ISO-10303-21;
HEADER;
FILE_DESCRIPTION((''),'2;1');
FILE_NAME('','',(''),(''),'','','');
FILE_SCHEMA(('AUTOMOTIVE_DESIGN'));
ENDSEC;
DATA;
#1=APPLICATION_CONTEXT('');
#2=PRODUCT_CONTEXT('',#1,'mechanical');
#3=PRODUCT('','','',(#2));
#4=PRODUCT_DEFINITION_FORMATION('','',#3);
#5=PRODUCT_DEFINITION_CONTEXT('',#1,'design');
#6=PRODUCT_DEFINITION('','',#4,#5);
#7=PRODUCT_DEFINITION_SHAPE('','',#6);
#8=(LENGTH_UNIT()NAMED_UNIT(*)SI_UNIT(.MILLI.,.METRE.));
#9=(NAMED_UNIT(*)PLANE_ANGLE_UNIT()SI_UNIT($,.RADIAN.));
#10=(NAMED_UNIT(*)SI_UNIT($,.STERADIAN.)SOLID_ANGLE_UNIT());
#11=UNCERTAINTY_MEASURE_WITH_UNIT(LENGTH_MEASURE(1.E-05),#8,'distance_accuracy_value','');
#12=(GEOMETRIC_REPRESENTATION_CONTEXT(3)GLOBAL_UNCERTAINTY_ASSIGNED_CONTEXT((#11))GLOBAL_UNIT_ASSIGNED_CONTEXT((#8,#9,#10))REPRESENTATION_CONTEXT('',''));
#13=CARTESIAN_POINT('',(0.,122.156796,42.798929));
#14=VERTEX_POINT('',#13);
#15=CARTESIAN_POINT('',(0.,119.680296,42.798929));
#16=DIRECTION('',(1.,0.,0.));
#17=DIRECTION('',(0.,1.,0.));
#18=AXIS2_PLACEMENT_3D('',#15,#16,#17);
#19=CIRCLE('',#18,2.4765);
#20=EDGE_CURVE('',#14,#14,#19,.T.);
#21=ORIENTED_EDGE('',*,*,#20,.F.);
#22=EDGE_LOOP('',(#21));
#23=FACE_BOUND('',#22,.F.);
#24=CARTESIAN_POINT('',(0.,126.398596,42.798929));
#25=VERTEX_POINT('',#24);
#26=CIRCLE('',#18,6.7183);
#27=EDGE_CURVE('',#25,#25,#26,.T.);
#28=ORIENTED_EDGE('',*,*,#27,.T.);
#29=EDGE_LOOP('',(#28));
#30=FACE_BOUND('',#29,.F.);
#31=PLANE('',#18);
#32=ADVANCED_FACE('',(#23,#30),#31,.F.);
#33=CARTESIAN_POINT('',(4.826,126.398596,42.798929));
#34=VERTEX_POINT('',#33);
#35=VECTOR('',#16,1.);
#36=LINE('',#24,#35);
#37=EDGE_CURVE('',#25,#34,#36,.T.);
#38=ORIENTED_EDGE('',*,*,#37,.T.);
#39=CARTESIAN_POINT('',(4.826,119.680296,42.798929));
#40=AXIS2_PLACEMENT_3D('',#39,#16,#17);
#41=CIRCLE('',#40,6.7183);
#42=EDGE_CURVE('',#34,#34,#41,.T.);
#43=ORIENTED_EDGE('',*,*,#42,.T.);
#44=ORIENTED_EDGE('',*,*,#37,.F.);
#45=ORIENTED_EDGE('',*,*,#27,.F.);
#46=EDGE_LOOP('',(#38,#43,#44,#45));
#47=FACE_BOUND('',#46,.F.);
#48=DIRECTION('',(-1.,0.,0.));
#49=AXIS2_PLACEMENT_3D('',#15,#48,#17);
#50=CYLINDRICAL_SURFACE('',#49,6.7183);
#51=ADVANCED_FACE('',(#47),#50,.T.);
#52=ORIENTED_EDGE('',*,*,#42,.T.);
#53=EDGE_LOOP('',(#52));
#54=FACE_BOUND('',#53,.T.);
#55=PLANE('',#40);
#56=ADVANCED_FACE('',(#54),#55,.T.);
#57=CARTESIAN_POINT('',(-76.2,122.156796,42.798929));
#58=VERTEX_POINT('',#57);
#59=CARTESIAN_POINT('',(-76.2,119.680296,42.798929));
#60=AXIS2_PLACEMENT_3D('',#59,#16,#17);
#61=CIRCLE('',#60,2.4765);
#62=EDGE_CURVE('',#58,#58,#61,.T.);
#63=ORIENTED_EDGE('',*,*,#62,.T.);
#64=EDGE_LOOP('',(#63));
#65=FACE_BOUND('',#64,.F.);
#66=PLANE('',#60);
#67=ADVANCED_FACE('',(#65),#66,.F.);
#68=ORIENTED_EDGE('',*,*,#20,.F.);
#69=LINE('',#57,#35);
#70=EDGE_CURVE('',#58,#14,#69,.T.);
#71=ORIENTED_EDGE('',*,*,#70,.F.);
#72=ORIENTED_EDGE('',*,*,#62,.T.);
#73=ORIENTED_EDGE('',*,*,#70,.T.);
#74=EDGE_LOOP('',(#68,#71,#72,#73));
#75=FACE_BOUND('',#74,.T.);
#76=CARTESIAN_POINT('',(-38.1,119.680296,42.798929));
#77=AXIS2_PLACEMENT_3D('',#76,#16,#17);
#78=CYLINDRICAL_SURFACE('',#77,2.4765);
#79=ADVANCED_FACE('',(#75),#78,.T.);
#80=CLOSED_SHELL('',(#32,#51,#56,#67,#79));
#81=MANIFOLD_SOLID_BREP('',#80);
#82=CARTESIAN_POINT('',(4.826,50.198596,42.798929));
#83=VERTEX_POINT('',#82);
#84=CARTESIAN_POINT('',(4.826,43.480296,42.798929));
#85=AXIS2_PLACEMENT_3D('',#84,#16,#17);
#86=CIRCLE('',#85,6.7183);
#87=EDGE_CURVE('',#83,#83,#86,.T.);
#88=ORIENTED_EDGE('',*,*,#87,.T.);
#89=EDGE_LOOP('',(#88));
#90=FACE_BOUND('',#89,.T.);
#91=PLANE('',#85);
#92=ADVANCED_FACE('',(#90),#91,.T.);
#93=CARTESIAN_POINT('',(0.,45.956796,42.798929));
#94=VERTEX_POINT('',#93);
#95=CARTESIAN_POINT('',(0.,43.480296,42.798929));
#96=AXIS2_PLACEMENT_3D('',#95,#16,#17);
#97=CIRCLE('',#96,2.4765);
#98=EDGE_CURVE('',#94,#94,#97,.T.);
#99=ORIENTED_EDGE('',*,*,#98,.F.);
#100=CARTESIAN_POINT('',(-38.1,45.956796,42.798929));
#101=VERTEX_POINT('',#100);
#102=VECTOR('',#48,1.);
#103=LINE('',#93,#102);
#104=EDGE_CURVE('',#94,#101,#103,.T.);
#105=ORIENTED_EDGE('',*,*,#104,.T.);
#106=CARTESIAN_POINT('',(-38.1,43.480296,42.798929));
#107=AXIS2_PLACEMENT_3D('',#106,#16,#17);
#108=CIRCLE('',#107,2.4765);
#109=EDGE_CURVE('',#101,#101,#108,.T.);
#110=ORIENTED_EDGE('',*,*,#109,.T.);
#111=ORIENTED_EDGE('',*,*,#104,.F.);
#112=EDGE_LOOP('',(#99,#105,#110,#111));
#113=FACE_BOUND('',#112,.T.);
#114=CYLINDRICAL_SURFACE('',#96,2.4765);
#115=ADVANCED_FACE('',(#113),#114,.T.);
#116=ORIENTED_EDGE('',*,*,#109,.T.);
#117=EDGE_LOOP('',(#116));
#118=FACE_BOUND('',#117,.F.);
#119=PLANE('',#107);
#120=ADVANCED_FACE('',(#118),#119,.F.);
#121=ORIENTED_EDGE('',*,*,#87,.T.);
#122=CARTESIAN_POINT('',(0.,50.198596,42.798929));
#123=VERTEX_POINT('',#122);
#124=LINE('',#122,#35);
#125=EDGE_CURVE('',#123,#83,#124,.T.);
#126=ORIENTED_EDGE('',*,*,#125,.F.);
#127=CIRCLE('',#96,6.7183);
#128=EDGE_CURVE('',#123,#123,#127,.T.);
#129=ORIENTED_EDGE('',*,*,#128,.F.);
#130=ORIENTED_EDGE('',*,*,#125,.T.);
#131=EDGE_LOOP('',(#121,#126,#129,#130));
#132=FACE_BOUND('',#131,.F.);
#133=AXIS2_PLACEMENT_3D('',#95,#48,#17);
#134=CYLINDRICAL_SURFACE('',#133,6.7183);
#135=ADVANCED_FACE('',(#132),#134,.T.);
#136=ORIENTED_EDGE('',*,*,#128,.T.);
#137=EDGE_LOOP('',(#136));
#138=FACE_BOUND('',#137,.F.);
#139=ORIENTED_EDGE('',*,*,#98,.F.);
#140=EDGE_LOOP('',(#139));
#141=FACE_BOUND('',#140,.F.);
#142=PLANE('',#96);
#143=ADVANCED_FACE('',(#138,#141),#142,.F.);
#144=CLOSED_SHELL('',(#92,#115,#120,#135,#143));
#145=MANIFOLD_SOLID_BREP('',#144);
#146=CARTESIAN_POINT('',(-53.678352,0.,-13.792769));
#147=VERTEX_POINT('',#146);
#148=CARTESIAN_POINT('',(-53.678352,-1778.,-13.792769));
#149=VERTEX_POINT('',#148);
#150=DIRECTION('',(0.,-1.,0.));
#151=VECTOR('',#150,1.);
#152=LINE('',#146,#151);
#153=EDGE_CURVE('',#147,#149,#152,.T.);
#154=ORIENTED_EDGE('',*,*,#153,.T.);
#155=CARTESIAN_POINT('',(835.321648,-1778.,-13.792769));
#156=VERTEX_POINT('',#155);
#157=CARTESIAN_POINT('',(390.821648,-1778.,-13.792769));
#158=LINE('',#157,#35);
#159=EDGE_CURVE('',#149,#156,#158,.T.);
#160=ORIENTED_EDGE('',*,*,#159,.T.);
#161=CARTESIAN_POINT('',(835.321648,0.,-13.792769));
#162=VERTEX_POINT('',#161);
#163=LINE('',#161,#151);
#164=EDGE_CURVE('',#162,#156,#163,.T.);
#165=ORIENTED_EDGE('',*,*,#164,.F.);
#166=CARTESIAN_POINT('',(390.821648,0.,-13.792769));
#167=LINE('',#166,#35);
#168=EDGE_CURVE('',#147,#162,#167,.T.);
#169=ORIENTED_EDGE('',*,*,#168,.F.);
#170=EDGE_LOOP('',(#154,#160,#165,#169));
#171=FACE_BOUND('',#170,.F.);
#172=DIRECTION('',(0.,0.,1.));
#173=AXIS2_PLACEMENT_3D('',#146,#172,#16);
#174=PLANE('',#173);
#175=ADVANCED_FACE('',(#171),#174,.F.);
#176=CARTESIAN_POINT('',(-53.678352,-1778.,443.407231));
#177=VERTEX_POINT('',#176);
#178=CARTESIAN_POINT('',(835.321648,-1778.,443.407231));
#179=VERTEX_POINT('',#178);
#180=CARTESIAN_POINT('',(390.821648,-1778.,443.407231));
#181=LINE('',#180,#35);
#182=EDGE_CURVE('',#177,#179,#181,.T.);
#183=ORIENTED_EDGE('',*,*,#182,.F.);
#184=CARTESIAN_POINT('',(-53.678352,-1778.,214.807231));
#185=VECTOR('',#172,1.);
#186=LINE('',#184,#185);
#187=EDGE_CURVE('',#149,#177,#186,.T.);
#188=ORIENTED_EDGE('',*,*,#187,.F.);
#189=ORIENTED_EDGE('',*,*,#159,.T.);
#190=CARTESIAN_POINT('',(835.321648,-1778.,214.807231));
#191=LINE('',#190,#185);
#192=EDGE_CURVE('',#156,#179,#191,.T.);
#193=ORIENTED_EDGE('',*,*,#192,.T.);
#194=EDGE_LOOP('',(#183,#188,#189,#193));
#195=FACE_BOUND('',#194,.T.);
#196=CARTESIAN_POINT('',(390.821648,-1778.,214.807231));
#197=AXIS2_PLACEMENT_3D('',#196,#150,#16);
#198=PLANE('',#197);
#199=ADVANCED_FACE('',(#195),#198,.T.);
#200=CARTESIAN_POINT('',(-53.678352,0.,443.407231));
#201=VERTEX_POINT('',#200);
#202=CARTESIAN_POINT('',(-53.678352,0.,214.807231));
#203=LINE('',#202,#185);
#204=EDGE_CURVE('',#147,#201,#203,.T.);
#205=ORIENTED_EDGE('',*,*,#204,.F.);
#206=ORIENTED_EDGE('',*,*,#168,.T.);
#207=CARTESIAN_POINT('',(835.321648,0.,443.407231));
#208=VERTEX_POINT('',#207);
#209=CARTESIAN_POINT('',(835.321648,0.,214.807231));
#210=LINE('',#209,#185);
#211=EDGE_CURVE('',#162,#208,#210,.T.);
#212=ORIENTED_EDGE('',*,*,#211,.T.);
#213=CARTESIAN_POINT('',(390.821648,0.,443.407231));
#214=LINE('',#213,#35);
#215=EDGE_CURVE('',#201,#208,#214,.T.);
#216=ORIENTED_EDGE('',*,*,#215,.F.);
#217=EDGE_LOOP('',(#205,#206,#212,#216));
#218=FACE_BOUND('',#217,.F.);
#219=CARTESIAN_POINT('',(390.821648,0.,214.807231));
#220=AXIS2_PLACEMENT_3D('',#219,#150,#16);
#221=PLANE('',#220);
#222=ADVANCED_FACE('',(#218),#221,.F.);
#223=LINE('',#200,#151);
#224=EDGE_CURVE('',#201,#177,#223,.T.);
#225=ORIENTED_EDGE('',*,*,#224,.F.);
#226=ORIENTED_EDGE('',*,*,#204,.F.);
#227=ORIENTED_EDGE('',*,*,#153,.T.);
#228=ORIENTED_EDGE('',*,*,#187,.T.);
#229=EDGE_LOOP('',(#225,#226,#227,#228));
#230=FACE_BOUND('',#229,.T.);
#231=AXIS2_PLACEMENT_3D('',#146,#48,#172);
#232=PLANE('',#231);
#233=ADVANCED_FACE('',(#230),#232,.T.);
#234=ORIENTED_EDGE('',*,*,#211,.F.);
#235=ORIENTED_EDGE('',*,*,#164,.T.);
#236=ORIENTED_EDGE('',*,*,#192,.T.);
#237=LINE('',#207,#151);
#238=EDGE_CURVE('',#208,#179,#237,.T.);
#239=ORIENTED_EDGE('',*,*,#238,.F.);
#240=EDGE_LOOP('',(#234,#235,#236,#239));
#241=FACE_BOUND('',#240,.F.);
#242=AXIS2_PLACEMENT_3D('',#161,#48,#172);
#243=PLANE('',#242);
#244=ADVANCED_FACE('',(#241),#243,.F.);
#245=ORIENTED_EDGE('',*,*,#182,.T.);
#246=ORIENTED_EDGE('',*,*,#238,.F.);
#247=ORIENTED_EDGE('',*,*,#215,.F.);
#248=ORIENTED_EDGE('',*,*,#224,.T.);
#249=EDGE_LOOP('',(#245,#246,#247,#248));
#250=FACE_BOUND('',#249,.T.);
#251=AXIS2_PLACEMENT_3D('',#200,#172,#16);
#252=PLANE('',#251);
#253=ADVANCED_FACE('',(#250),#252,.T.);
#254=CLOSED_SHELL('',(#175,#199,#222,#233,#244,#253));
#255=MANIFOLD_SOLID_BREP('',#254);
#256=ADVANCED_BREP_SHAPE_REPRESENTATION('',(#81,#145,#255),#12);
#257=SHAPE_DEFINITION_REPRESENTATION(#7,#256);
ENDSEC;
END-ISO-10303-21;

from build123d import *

# Parameters (mm, degrees)
F0_W     = 889
F0_H     = 457.2
F1_DEPTH = 1778
F2_R     = 2.4765
F3_DEPTH = 38.1
F4_R     = 6.7183
F5_DEPTH = 4.826
F7_DEPTH = 38.1


with BuildPart() as f1:
    # F0 (on Front) → F1 (new body)
    with BuildSketch(Plane.XZ):
        with Locations((390.8216476142, 214.8072309479)):
            Rectangle(F0_W, F0_H)
    extrude(amount=F1_DEPTH)


with BuildPart() as f3:
    # F2 (on Right) → F3 (new body)
    with BuildSketch(Plane.YZ):
        with Locations((43.4802956879, 42.7989289165)):
            Circle(F2_R)
    extrude(amount=-F3_DEPTH)

    # F4 (on face) → F5 (join)
    with BuildSketch(Plane.YZ):
        with Locations((43.4802956879, 42.7989289165)):
            Circle(F4_R)
    extrude(amount=F5_DEPTH)


with BuildPart() as f6_1:
    # F6: copy of F3
    add(f3.part.moved(Location((0, 76.2, 0))))

    # F7 (add): a face of the model
    f7_faces = [f6_1.faces().sort_by_distance(p)[0] for p in [
        (-38.1, 119.6802956879, 42.7989289165),
    ]]
    extrude(f7_faces, amount=F7_DEPTH)


solid = Compound([f1.part, f3.part, f6_1.part])
